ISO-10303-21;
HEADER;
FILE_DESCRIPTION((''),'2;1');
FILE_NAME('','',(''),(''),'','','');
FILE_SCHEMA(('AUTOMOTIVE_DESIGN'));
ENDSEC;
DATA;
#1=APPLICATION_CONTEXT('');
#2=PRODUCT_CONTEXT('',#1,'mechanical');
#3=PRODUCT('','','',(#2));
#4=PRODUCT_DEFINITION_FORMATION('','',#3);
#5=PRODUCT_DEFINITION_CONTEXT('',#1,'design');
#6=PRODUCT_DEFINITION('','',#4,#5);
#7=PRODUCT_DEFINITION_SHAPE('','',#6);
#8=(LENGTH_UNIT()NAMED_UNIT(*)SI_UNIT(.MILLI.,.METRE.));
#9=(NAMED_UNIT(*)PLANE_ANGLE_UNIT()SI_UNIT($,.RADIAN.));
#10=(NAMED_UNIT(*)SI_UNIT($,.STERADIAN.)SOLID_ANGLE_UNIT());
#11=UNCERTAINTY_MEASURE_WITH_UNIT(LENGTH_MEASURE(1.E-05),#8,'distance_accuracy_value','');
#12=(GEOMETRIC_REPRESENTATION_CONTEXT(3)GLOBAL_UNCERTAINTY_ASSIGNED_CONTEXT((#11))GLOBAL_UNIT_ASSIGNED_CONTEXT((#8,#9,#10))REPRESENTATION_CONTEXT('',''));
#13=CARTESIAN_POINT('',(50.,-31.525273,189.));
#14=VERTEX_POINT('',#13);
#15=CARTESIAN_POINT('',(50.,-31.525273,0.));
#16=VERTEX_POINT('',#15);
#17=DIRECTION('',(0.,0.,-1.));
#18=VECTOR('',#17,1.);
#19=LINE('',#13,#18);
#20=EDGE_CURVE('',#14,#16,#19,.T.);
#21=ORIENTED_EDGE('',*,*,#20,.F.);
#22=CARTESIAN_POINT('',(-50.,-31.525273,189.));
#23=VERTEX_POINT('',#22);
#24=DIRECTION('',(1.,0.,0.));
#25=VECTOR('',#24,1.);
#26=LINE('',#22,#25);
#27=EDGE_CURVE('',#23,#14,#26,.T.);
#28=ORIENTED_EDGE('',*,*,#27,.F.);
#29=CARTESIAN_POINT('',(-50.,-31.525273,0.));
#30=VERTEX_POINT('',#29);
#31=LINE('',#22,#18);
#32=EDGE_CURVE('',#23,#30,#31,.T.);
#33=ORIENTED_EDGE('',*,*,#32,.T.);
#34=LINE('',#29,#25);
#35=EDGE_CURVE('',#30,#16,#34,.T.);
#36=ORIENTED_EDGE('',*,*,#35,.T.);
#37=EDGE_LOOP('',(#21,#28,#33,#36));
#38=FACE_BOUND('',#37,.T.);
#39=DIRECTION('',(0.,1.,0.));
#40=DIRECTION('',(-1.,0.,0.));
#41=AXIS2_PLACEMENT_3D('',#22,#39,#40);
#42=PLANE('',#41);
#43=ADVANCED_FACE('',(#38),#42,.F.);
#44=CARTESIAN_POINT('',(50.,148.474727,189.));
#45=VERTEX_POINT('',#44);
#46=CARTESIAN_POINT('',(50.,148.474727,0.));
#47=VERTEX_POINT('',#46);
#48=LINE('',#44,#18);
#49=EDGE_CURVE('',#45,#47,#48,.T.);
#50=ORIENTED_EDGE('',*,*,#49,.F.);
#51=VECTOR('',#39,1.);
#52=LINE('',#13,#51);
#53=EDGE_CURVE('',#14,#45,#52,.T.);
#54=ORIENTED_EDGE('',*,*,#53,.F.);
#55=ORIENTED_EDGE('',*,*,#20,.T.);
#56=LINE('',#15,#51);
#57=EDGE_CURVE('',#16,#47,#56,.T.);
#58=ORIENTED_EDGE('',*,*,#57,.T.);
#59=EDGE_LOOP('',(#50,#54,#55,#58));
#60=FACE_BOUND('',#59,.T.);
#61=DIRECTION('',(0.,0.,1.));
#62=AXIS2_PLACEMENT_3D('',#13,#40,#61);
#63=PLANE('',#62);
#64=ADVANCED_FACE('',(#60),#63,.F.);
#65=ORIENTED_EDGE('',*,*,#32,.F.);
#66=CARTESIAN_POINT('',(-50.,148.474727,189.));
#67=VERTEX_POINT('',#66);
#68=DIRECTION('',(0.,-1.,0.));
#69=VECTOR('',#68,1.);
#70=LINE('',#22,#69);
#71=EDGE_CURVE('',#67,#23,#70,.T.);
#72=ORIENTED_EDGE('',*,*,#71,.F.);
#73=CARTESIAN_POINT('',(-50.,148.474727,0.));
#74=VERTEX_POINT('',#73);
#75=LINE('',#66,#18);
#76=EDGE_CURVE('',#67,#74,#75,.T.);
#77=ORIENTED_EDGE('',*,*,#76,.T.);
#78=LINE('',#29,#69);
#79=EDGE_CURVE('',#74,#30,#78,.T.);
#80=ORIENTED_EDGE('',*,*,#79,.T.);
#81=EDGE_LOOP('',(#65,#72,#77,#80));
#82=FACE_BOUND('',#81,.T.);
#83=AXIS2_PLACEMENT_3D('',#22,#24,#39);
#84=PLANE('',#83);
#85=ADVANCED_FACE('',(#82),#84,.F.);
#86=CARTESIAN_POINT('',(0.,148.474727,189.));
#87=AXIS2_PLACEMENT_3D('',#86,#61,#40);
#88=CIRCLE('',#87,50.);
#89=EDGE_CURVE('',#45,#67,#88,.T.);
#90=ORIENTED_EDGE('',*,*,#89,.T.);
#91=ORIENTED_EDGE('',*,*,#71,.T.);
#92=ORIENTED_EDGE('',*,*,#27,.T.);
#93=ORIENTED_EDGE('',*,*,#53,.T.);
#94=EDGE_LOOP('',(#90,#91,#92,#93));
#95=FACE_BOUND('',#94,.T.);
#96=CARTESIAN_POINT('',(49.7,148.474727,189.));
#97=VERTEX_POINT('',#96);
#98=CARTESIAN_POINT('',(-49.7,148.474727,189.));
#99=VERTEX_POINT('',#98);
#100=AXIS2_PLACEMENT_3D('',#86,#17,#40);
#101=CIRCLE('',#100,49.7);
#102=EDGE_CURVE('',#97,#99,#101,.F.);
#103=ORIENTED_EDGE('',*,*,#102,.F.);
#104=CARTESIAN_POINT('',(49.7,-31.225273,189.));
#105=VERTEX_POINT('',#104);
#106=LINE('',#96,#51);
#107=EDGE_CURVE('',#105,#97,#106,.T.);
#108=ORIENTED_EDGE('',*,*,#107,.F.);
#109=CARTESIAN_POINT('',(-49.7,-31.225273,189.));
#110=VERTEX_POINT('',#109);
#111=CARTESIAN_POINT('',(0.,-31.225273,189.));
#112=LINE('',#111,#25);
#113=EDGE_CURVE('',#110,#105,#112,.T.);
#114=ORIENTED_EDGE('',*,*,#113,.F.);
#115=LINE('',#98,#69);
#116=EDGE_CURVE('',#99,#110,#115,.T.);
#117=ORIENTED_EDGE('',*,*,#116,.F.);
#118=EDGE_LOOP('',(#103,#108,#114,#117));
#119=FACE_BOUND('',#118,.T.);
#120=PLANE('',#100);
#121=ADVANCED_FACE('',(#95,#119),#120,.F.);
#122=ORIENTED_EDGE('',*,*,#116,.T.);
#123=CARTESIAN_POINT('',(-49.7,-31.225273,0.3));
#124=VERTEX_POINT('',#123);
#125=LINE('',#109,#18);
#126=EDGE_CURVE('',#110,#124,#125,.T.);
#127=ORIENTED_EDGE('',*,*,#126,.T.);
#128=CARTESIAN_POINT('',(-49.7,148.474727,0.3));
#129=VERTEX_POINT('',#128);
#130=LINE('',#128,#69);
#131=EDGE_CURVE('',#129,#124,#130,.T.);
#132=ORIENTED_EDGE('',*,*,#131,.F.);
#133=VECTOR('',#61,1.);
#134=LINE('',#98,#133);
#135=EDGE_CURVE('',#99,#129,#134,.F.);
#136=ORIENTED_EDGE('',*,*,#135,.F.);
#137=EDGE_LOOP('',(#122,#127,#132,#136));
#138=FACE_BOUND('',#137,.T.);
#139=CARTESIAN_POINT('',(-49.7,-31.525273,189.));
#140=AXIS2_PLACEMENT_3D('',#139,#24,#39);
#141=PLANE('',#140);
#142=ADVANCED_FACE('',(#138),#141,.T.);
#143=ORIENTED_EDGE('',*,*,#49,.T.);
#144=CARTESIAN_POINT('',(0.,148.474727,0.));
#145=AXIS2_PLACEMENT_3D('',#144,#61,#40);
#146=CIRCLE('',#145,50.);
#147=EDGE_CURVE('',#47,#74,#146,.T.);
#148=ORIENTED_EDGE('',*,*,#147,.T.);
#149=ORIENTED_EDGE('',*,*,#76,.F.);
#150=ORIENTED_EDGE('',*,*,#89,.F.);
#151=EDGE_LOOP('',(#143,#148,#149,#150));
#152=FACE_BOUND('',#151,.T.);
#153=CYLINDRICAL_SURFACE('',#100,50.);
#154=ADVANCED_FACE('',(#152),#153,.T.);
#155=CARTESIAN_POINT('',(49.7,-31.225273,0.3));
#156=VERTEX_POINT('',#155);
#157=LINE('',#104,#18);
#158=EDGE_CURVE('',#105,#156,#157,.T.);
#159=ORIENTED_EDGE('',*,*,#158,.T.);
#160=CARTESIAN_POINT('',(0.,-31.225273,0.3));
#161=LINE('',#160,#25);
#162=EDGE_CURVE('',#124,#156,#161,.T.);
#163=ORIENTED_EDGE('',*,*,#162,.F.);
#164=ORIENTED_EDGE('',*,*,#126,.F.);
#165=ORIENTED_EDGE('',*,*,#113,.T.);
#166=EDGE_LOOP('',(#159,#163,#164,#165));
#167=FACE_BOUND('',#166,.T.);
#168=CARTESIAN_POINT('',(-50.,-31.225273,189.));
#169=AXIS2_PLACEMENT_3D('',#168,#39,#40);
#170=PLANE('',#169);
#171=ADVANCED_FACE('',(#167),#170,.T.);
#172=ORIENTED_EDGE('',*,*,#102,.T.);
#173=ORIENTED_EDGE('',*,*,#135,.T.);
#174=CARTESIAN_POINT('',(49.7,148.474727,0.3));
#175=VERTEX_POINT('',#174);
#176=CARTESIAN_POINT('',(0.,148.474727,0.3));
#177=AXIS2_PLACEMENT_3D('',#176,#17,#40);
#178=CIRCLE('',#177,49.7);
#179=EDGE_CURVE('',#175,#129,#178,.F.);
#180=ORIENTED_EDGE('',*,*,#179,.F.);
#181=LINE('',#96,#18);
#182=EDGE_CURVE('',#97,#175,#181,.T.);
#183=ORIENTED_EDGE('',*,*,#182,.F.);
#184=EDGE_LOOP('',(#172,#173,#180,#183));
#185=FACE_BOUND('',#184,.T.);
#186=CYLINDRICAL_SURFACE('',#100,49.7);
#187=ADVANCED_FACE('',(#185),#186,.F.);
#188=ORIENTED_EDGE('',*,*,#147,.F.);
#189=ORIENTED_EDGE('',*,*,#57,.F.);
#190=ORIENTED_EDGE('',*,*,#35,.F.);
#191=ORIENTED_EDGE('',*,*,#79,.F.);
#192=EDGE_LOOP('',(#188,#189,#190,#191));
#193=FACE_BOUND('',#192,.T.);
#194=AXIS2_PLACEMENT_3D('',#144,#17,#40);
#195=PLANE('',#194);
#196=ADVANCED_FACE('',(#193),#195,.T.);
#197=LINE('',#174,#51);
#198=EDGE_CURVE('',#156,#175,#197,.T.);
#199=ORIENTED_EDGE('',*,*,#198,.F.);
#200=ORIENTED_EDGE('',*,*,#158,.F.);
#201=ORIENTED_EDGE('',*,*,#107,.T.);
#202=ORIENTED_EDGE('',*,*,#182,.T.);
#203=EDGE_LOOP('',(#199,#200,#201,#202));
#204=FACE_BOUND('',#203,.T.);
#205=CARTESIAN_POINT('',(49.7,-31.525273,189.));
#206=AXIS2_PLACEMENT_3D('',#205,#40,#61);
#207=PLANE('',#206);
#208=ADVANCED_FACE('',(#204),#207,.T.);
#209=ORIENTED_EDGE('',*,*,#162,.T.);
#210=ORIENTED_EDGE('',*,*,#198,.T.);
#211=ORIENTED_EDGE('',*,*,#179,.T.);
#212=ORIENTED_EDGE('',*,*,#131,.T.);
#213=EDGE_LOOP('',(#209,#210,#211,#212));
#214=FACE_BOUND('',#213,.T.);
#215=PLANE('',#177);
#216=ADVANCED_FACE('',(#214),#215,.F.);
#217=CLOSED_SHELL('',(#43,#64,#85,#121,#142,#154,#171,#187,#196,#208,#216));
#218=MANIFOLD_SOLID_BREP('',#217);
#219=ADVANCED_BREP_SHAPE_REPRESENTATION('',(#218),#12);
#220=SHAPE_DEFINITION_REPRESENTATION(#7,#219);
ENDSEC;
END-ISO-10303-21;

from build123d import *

# Parameters (mm, degrees)
BOSS_EXTRUDE1_DEPTH = 189
SHELL2_T            = -0.3


with BuildPart() as part:
    # Sketch1 → Boss-Extrude1 (new body)
    with BuildSketch(Plane.XY):
        with BuildLine():
            Line((-50, -31.525272579), (50, -31.525272579))
            Line((50, -31.525272579), (50, 148.474727421))
            ThreePointArc((50, 148.474727421), (0, 198.474727421), (-50, 148.474727421))
            Line((-50, 148.474727421), (-50, -31.525272579))
        make_face()
    extrude(amount=BOSS_EXTRUDE1_DEPTH)

    # Shell2
    shell2_openings = [part.faces().sort_by_distance(p)[0] for p in [
        (0, 78.393671634, 189),
    ]]
    offset(amount=SHELL2_T, openings=shell2_openings, kind=Kind.INTERSECTION)


solid = part.part
